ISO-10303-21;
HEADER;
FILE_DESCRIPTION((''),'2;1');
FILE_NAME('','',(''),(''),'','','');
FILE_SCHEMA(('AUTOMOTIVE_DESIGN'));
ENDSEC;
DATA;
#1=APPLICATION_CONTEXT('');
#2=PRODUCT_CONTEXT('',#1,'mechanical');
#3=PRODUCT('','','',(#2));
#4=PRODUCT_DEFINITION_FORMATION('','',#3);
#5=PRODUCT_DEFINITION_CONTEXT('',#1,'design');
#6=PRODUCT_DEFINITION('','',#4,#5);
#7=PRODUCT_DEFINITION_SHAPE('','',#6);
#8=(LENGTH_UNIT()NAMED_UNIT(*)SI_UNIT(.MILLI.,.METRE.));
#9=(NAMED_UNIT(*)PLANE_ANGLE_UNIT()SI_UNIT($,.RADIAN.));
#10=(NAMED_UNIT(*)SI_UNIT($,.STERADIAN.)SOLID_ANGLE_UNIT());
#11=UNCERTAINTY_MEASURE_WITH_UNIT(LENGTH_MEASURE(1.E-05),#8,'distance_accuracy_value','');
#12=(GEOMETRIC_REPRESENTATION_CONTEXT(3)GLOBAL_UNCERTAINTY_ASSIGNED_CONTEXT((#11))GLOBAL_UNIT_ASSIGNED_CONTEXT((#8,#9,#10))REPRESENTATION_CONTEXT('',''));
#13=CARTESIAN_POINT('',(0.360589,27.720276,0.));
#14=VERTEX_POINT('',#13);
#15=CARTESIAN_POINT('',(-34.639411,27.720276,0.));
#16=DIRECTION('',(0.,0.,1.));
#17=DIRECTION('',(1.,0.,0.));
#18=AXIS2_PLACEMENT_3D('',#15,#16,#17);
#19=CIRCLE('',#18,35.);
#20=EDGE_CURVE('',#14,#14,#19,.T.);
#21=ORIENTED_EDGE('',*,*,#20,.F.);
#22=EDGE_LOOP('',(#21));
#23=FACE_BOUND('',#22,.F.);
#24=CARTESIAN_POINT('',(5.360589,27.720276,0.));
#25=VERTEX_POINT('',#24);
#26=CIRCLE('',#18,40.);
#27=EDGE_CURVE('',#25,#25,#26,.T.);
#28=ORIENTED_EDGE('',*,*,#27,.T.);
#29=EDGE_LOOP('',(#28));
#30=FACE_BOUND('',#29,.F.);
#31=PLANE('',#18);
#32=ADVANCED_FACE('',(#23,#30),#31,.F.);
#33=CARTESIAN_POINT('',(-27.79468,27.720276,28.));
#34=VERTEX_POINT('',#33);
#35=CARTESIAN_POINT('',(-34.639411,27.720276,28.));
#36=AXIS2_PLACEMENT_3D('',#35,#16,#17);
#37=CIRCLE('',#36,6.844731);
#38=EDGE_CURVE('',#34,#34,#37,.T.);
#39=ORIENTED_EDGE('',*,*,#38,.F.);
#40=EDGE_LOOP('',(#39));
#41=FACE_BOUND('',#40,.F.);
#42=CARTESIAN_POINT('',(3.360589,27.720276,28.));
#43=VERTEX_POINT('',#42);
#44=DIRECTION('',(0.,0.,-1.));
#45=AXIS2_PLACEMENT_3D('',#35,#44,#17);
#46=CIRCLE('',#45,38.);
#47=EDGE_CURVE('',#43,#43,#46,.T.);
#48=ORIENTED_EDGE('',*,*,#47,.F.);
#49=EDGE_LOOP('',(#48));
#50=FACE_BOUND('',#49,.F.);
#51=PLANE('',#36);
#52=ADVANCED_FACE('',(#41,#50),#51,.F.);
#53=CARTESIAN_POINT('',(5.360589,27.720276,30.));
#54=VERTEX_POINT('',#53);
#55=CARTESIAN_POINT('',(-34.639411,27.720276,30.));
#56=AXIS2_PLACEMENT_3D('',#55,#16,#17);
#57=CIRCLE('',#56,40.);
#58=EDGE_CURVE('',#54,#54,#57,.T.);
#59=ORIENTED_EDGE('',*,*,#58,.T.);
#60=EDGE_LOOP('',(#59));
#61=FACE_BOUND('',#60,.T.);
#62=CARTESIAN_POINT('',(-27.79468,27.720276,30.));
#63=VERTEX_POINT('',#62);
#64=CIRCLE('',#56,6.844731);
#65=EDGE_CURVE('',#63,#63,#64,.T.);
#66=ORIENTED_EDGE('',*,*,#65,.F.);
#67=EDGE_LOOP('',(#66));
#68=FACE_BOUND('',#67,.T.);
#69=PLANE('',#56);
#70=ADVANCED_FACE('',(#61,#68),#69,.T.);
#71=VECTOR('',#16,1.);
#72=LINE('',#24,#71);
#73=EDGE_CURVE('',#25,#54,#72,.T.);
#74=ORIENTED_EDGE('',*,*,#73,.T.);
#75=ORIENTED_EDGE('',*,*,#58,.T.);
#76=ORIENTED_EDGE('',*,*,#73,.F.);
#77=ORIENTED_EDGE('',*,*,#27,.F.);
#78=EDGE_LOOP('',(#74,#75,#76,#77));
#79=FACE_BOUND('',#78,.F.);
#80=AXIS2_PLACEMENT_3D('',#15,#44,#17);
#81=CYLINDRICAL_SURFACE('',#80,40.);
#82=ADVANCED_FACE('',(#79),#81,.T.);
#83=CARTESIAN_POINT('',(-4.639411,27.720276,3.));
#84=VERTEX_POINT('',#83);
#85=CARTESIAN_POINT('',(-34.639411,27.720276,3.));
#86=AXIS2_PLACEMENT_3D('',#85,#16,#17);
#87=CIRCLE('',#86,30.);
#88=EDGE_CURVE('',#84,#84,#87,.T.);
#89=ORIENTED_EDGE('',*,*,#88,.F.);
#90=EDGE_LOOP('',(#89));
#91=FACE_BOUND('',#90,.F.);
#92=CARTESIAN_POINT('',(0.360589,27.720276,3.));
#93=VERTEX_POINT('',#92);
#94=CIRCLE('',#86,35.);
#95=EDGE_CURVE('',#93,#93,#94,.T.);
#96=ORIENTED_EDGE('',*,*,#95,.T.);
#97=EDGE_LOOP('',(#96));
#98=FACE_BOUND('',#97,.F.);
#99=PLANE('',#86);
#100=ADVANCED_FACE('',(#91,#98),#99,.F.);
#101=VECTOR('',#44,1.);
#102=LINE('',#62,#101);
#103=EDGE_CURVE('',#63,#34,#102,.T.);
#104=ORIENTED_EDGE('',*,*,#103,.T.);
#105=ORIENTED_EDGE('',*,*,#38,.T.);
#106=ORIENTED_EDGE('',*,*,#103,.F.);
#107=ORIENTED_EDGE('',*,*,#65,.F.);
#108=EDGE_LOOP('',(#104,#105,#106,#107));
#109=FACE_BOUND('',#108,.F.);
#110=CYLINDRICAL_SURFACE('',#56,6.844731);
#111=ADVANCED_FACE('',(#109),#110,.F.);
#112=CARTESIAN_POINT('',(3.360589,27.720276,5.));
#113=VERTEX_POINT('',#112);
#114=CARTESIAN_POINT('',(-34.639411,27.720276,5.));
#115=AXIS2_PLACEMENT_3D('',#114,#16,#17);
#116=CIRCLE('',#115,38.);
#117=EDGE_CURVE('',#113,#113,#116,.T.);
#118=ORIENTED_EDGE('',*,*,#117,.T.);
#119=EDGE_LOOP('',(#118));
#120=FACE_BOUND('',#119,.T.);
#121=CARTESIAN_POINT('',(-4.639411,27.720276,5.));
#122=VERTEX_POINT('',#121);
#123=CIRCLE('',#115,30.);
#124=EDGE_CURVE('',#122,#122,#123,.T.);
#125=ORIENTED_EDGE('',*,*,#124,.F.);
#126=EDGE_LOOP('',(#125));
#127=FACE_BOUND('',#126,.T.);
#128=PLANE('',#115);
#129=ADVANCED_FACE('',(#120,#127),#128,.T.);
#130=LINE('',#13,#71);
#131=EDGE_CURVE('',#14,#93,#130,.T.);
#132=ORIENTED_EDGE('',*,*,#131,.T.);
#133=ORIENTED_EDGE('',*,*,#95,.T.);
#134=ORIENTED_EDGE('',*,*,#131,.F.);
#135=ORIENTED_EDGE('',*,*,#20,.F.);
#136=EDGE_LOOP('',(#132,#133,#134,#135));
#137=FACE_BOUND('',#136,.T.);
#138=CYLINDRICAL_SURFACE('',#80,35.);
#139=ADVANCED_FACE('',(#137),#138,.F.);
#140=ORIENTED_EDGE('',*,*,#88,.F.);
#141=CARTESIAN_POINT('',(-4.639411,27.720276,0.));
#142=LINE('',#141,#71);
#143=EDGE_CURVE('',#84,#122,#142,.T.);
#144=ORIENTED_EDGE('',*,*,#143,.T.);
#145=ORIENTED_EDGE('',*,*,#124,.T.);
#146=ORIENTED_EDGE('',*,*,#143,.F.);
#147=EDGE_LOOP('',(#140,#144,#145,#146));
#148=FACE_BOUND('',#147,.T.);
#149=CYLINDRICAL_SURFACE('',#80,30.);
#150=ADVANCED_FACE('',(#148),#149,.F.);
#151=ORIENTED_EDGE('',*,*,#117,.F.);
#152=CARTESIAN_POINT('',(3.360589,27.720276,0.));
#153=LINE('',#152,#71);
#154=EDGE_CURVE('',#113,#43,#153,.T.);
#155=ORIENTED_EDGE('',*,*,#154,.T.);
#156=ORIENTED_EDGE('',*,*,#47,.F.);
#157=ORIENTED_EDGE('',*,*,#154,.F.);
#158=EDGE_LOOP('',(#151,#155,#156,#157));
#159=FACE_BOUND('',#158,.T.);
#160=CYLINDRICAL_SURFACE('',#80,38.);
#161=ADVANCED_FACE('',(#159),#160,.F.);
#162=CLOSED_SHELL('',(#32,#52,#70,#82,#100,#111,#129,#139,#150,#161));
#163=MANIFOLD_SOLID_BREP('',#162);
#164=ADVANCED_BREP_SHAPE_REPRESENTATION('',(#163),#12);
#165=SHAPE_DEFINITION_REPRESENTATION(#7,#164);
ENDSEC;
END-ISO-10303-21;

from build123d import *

# Parameters (mm, degrees)
F0_R     = 40
F0_R_2   = 38
F1_DEPTH = 30
F0_R_3   = 35
F0_R_4   = 30
F2_DEPTH = 5
F3_DEPTH = 3
F4_R     = 39.94757
F4_R_2   = 38
F4_R_3   = 6.844731
F5_DEPTH = 2


with BuildPart() as f1:
    # F0 (on Top) → F1 (new body)
    with BuildSketch(Plane.XY):
        with Locations((-34.639411, 27.720276)):
            Circle(F0_R)
        with Locations((-34.639411, 27.720276)):
            Circle(F0_R_2, mode=Mode.SUBTRACT)
    extrude(amount=F1_DEPTH)

    # F0 (on Top) → F2 (join)
    with BuildSketch(Plane.XY):
        with Locations((-34.639411, 27.720276)):
            Circle(F0_R_2)
        with Locations((-34.639411, 27.720276)):
            Circle(F0_R_3, mode=Mode.SUBTRACT)
        with Locations((-34.639411, 27.720276)):
            Circle(F0_R_3)
        with Locations((-34.639411, 27.720276)):
            Circle(F0_R_4, mode=Mode.SUBTRACT)
    extrude(amount=F2_DEPTH)

    # F0 (on Top) → F3 (cut)
    with BuildSketch(Plane.XY):
        with Locations((-34.639411, 27.720276)):
            Circle(F0_R_3)
        with Locations((-34.639411, 27.720276)):
            Circle(F0_R_4, mode=Mode.SUBTRACT)
    extrude(amount=F3_DEPTH, mode=Mode.SUBTRACT)

    # F4 (on face) → F5 (join)
    with BuildSketch(Plane.XY.offset(30)):
        with Locations((-34.639411, 27.720276)):
            Circle(F4_R)
        with Locations((-34.639411, 27.720276)):
            Circle(F4_R_2, mode=Mode.SUBTRACT)
        with Locations((-34.639411, 27.720276)):
            Circle(F4_R_2)
        with Locations((-34.639411, 27.720276)):
            Circle(F4_R_3, mode=Mode.SUBTRACT)
    extrude(amount=-F5_DEPTH)


solid = f1.part
